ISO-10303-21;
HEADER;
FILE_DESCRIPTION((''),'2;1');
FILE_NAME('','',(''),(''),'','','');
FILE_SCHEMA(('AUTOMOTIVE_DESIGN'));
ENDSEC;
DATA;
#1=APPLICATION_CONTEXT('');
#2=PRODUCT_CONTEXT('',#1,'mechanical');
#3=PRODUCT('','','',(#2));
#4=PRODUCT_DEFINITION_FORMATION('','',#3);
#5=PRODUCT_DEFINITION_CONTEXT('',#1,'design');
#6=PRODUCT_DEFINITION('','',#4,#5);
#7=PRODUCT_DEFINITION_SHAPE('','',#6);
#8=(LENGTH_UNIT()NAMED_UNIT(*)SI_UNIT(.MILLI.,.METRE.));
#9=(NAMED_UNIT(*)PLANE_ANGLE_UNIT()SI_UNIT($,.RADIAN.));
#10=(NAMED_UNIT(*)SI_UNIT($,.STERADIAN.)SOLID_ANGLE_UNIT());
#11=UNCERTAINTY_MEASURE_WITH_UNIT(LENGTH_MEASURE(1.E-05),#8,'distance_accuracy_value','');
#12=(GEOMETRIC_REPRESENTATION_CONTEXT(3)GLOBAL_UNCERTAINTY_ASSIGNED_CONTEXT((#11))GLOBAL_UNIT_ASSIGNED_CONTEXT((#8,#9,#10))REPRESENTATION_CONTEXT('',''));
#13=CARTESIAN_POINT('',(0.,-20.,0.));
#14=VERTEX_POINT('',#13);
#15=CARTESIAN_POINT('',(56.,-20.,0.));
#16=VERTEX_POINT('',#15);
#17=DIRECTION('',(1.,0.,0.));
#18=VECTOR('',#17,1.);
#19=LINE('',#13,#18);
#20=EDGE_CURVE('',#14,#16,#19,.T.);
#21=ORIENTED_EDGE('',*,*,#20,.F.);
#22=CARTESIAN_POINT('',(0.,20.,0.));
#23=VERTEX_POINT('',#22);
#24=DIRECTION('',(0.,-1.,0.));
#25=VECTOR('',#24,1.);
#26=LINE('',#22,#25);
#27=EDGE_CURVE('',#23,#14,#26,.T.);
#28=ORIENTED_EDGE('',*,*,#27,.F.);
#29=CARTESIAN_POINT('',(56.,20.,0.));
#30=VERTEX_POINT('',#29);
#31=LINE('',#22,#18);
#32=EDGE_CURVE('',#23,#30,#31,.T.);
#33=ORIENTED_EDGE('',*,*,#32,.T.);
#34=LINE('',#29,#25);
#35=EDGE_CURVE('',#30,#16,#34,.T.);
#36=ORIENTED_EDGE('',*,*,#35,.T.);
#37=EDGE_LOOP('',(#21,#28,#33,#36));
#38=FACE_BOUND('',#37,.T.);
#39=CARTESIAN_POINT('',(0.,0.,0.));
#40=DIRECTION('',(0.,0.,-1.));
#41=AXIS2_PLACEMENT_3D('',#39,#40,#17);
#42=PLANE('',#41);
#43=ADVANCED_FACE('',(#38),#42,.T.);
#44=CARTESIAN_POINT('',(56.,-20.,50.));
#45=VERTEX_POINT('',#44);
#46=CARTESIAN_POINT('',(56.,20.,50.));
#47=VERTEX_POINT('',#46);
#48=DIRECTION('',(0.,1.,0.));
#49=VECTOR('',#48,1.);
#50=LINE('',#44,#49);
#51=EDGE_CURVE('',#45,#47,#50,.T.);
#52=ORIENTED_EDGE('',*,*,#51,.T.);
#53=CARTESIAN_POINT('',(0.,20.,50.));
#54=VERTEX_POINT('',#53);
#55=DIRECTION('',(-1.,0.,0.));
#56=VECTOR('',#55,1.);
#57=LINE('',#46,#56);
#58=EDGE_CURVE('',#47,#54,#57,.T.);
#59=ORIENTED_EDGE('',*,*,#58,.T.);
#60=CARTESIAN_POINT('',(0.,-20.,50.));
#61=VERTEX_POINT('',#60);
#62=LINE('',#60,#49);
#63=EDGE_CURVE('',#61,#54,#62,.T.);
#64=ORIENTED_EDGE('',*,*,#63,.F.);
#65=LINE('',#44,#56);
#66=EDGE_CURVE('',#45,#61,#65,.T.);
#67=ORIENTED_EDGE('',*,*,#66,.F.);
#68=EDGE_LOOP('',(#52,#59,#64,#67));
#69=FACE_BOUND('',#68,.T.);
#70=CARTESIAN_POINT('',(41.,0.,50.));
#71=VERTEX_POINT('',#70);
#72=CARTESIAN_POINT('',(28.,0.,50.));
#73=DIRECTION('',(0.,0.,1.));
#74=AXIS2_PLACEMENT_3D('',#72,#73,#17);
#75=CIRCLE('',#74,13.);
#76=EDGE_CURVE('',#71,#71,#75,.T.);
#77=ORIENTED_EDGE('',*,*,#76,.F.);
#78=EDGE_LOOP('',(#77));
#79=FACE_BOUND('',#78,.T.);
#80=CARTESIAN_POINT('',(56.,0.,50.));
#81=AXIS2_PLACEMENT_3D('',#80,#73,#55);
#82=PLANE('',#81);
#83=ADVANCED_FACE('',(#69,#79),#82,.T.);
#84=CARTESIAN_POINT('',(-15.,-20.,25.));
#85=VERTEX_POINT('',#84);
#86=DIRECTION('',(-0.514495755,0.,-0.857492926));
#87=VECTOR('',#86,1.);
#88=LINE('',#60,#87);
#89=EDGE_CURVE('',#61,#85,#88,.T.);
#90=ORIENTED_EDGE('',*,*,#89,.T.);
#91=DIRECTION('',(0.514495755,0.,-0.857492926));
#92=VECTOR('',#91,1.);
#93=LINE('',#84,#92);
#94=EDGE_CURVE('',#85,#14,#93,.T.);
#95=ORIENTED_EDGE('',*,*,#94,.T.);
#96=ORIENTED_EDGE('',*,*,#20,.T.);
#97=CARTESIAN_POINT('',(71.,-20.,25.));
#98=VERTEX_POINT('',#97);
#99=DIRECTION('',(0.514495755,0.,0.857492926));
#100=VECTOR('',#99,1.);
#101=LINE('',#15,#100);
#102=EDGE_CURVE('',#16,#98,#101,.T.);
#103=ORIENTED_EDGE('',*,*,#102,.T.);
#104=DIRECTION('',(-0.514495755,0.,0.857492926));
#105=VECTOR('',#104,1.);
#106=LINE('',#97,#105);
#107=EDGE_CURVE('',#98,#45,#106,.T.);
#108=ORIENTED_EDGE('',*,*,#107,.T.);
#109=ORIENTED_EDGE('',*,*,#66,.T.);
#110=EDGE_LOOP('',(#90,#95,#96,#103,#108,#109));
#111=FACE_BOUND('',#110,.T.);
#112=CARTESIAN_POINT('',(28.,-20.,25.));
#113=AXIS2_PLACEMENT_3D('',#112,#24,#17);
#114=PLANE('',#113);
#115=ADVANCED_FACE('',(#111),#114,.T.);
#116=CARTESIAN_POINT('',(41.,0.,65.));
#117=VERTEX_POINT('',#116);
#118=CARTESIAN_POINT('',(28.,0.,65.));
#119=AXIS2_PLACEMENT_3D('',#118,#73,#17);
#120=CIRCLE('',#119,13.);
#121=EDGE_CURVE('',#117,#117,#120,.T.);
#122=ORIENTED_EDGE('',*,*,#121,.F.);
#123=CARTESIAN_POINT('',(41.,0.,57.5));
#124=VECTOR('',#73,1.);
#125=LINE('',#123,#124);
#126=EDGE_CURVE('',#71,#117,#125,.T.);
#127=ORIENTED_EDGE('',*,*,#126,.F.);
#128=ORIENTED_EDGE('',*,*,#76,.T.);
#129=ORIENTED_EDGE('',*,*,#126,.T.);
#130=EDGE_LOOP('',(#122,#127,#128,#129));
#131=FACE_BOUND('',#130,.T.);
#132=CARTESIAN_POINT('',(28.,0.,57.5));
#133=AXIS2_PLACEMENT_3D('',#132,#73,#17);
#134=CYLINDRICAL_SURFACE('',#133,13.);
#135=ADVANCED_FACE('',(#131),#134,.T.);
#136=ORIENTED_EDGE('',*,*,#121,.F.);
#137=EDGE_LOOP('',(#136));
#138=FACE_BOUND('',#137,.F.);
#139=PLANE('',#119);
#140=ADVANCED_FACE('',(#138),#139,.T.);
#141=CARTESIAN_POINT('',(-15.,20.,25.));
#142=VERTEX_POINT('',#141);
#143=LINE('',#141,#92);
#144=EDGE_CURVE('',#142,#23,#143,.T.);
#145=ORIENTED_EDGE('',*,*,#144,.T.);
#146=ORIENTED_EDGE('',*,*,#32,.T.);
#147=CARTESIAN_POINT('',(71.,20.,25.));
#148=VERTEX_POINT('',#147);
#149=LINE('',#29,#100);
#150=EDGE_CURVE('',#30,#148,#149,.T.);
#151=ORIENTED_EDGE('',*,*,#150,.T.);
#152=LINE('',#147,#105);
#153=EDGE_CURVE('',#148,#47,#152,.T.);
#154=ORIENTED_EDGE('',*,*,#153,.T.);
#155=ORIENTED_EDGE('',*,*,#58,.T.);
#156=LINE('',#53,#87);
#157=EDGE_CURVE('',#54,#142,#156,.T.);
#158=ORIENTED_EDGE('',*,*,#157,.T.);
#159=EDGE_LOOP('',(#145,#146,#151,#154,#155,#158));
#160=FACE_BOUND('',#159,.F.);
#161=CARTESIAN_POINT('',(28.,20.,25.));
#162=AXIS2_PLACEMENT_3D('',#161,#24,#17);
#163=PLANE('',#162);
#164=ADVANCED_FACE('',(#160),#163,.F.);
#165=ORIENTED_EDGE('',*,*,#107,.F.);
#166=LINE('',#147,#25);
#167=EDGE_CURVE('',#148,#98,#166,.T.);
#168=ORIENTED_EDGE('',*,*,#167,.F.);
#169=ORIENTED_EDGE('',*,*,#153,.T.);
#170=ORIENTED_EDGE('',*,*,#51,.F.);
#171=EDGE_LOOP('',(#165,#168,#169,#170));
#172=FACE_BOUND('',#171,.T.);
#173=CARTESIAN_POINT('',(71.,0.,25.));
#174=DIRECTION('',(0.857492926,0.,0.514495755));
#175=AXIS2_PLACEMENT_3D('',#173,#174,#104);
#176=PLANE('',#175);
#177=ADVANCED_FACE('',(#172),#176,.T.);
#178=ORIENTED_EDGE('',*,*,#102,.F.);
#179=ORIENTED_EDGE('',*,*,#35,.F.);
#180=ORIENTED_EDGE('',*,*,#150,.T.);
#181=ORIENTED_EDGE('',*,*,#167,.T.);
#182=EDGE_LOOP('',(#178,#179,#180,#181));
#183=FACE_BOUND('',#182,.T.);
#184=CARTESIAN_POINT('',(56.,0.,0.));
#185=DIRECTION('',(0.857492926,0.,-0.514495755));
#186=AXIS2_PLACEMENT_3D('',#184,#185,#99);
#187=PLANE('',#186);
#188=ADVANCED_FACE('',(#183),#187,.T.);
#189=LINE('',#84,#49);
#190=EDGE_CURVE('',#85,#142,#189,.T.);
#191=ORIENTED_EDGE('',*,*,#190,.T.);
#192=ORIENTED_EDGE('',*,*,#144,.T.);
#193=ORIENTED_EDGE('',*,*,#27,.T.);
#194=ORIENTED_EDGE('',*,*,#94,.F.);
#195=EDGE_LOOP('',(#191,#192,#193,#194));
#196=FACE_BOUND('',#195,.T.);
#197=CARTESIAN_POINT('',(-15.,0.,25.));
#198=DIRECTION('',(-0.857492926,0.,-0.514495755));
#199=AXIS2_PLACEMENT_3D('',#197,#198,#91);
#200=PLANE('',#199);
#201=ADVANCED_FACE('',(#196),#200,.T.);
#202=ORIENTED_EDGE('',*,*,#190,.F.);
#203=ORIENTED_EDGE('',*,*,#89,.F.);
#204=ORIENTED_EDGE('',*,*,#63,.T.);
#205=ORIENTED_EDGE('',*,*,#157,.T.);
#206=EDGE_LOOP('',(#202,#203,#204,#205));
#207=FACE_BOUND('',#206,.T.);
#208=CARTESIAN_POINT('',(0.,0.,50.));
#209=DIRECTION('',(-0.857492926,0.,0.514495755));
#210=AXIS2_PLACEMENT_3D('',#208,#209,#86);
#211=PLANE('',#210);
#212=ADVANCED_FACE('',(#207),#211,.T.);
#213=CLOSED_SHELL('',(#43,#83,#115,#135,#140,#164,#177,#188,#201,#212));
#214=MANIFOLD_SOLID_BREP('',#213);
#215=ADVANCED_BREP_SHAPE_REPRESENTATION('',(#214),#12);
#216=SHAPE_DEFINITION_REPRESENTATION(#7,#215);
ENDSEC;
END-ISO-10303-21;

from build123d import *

# Parameters (mm, degrees)
F1_DEPTH = 20
F0_W     = 13
F0_H     = 15


with BuildPart() as f1:
    # F0 (on Front) → F1 (new body, symmetric)
    with BuildSketch(Plane.XZ):
        Polygon((-15, 25), (0, 0), (56, 0), (71, 25), (56, 50), (41, 50), (28, 50), (0, 50), align=None)
    extrude(amount=F1_DEPTH, both=True)

    # F0 (on Front) → F2 (revolve)
    with BuildSketch(Plane.XZ):
        with Locations((34.5, 57.5)):
            Rectangle(F0_W, F0_H)
    revolve(axis=Axis((28, 0, 57.5), (0, 0, 1)))


solid = f1.part
